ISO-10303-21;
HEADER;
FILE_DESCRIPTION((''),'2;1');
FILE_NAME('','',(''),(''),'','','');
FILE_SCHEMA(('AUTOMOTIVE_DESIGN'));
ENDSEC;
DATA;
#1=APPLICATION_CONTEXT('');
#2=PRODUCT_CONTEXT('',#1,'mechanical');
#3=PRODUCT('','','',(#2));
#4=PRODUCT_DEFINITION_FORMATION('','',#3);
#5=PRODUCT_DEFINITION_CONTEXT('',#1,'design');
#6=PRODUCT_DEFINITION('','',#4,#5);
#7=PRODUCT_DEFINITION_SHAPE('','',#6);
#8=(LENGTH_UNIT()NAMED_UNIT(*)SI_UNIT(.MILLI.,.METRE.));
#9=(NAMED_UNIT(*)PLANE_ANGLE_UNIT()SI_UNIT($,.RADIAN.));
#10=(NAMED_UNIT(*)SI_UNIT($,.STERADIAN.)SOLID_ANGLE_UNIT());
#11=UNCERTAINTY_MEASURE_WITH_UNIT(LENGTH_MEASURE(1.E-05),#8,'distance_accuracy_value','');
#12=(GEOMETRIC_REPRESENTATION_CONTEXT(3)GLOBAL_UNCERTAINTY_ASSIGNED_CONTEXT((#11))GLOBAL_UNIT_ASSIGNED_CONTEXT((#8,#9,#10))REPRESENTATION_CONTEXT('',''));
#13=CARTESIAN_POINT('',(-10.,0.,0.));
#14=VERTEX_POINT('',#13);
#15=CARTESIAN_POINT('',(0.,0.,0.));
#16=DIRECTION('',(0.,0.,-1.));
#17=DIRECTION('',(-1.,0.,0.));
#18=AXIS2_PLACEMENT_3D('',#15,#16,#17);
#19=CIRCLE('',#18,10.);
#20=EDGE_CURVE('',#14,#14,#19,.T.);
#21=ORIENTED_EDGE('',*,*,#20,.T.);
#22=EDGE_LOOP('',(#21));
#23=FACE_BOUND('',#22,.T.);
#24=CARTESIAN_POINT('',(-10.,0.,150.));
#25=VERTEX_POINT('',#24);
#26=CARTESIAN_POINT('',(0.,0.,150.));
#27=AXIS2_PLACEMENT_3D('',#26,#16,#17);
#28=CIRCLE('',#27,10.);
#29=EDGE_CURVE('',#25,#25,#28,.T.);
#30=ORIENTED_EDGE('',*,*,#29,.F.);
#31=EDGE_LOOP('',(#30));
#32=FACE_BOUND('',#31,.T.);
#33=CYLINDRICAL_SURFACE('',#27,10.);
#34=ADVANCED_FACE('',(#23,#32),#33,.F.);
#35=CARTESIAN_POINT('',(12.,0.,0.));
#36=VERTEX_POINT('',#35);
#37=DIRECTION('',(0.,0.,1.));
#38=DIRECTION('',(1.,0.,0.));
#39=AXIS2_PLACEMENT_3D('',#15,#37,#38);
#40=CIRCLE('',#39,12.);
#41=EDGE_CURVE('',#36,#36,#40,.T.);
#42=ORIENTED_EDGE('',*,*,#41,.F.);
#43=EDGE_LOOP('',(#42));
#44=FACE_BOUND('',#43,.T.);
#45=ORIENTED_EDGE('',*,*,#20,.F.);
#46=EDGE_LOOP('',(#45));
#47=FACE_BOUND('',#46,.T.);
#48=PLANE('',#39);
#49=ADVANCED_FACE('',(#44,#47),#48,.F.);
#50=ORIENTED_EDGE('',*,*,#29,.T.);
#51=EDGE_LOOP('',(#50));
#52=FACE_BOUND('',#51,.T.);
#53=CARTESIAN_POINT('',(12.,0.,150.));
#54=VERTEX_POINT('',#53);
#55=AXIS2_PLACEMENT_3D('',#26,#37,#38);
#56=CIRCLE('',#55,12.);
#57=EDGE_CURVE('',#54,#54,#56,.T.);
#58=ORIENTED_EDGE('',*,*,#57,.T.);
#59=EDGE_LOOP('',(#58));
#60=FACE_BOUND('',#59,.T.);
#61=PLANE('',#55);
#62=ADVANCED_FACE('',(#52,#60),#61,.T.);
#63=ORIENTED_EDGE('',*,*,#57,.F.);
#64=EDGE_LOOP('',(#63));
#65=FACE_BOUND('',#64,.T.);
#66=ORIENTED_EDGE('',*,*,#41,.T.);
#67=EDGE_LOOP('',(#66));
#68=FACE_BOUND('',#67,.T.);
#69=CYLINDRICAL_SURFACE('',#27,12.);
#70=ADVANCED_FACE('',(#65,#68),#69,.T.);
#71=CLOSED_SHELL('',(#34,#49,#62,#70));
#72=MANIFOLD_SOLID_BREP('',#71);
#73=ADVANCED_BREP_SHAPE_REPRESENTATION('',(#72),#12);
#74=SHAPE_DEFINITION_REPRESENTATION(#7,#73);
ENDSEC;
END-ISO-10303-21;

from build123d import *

# Parameters (mm, degrees)
SKETCH1_R           = 12
BOSS_EXTRUDE1_DEPTH = 150
SKETCH2_R           = 10
CUT_EXTRUDE1_DEPTH  = 150


with BuildPart() as part:
    # Sketch1 → Boss-Extrude1 (new body)
    with BuildSketch(Plane.XY):
        Circle(SKETCH1_R)
    extrude(amount=BOSS_EXTRUDE1_DEPTH)

    # Sketch2 → Cut-Extrude1 (cut)
    with BuildSketch(Plane(origin=(0, 0, 0), x_dir=(-1, 0, 0), z_dir=(0, 0, -1))):
        Circle(SKETCH2_R)
    extrude(amount=-CUT_EXTRUDE1_DEPTH, mode=Mode.SUBTRACT)


solid = part.part
